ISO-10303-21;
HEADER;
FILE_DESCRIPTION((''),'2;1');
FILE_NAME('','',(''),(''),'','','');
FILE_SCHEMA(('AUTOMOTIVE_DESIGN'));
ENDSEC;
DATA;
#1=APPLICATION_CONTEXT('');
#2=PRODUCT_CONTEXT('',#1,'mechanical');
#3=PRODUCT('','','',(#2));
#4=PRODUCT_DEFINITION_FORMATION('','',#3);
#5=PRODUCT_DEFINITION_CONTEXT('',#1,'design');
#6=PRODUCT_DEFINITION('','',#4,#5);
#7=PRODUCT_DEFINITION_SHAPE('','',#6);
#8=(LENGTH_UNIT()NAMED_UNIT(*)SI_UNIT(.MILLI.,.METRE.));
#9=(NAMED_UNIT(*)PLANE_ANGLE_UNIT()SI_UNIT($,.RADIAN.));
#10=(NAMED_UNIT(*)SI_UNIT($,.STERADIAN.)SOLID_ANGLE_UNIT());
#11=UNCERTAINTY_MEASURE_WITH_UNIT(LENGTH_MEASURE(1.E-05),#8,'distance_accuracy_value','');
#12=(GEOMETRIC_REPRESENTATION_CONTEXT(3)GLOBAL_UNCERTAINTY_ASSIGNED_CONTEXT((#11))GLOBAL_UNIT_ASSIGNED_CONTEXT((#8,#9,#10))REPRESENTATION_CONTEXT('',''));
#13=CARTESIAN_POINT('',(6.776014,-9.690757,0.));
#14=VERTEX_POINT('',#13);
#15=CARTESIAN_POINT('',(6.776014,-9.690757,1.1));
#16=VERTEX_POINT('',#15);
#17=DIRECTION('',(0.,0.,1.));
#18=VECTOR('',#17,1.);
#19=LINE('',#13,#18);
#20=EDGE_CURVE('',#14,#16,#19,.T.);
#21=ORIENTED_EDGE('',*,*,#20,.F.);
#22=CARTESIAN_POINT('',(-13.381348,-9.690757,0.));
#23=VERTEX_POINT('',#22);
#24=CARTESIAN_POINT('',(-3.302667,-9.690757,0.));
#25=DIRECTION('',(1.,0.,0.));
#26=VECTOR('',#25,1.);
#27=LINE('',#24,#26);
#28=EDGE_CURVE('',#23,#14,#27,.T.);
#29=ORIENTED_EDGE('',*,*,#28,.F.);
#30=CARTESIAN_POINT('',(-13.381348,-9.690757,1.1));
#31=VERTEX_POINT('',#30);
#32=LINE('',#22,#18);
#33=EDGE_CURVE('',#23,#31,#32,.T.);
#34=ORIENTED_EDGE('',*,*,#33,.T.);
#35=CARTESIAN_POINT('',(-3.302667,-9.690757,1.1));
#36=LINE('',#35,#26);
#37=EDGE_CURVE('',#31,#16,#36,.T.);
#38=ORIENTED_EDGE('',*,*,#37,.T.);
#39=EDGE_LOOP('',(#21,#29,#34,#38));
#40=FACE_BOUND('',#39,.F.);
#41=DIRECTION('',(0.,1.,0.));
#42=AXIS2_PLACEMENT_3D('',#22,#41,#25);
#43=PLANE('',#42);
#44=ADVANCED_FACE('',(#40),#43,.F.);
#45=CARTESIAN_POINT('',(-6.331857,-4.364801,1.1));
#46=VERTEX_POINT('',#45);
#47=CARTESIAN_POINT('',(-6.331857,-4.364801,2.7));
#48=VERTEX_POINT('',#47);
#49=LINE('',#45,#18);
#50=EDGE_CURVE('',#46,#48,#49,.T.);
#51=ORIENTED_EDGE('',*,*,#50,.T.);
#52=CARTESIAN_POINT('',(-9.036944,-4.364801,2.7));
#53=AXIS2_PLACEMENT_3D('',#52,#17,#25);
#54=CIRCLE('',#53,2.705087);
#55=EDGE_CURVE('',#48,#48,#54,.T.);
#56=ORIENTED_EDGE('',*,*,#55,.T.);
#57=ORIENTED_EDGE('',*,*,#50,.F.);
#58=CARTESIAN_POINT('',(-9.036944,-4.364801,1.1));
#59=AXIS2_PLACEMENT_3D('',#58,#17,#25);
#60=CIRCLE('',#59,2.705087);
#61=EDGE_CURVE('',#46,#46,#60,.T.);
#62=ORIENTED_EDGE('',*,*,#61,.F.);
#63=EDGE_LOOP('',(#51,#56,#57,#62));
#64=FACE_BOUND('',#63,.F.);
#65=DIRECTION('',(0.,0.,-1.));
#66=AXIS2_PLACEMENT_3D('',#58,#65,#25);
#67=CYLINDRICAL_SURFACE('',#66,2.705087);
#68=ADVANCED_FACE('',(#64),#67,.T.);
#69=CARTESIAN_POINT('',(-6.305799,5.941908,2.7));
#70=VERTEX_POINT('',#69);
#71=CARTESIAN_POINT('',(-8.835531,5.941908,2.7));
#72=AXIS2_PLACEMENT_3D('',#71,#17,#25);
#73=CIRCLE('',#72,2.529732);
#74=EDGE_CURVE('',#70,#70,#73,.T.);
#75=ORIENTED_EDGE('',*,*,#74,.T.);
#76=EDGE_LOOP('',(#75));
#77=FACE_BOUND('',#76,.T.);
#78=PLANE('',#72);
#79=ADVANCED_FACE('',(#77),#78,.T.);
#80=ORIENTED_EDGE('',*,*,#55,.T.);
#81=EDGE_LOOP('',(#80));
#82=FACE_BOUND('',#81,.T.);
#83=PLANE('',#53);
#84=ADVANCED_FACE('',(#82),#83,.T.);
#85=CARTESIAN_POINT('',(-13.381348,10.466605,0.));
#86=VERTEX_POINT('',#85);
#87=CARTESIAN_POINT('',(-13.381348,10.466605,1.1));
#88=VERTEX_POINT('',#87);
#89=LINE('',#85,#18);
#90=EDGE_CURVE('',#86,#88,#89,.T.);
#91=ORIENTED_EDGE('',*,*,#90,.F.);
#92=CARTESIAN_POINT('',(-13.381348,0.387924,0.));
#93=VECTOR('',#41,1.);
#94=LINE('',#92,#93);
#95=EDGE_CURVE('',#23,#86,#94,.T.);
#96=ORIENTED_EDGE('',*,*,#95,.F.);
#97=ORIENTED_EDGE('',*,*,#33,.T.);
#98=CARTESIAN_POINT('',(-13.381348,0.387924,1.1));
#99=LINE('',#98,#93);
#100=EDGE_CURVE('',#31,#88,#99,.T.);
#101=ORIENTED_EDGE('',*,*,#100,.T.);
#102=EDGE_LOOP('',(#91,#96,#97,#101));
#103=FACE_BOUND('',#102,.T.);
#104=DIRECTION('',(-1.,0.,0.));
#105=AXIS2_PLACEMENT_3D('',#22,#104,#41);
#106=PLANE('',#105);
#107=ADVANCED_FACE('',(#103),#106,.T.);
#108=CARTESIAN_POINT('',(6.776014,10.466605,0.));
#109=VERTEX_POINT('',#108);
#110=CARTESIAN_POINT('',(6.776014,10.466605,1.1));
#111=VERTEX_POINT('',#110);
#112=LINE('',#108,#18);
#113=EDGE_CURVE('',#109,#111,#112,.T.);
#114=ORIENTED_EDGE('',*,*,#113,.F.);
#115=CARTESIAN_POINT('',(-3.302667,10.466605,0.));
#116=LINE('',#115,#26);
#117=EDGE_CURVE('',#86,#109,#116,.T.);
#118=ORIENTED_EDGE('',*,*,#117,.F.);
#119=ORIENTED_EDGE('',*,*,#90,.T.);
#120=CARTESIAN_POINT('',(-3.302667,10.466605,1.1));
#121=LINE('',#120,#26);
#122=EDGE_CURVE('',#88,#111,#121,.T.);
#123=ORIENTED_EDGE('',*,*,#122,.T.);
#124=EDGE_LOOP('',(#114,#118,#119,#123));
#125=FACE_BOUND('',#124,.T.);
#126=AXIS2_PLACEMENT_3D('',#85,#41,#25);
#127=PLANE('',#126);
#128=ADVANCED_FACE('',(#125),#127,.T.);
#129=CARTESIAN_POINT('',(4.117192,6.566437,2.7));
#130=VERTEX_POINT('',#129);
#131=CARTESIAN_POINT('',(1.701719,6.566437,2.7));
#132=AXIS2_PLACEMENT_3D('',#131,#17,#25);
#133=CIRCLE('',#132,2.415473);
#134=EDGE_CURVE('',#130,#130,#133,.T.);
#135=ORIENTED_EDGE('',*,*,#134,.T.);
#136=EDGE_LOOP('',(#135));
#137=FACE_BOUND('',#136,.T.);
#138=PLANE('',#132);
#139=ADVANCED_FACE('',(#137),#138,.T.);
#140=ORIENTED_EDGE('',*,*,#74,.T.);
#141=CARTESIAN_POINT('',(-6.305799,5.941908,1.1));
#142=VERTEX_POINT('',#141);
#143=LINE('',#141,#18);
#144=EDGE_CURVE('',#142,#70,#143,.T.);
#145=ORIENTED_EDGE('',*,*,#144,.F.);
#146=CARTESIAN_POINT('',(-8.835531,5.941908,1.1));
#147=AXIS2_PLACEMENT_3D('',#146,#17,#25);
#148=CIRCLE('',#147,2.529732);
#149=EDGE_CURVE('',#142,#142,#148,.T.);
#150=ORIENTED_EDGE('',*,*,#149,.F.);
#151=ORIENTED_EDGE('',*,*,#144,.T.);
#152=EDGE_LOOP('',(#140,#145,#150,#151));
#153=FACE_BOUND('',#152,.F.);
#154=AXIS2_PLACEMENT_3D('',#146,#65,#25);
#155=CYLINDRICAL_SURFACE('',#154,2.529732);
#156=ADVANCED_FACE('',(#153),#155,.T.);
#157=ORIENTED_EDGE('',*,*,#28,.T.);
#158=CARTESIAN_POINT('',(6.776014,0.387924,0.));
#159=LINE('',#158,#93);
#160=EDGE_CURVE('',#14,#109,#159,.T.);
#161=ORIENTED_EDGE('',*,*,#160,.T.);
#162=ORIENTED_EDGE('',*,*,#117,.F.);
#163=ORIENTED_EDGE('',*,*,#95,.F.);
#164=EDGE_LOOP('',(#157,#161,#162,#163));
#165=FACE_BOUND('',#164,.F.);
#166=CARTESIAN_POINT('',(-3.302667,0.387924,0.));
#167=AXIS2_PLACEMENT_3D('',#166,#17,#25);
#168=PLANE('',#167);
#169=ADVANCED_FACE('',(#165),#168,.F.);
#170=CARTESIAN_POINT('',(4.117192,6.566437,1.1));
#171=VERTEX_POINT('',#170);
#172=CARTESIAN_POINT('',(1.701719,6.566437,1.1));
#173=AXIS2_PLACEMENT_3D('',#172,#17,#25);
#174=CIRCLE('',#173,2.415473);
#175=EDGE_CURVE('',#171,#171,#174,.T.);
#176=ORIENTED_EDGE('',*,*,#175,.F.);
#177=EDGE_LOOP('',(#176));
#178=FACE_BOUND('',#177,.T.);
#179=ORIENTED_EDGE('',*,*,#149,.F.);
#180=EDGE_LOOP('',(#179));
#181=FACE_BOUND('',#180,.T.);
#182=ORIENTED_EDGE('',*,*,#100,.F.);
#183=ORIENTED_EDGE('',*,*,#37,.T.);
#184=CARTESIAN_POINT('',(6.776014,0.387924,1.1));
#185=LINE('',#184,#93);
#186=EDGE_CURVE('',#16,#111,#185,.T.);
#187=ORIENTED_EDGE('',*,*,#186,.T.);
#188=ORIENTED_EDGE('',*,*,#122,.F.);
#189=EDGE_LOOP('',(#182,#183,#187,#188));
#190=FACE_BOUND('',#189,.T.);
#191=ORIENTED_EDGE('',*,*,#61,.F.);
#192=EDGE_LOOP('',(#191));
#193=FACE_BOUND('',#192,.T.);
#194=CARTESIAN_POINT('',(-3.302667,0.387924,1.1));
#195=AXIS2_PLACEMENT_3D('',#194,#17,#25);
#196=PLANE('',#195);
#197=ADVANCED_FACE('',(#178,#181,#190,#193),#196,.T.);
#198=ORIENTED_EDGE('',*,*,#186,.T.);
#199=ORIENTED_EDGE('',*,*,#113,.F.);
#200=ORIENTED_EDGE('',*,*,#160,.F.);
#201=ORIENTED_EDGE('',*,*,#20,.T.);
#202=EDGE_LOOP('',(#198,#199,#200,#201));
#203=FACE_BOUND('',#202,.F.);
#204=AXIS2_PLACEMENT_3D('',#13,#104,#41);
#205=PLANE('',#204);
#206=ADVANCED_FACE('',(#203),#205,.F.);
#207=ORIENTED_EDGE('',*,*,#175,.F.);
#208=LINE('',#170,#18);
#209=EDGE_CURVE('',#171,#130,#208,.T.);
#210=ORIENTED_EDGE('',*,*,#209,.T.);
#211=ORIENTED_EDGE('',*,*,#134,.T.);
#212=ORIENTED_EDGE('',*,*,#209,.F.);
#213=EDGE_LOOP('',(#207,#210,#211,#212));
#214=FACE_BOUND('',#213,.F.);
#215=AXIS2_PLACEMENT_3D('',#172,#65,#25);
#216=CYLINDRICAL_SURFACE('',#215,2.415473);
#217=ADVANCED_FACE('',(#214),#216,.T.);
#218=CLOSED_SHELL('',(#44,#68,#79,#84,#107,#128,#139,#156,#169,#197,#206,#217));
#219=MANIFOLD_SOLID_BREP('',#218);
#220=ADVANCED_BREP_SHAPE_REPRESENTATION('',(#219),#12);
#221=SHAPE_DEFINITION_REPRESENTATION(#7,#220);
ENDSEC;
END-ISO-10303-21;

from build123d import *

# Parameters (mm, degrees)
F0_W     = 20.157362
F0_H     = 20.157362
F1_DEPTH = 1.1
F2_R     = 2.529732
F2_R_2   = 2.415473
F2_R_3   = 2.705087
F3_DEPTH = 1.6


with BuildPart() as f1:
    # F0 (on Top) → F1 (new body)
    with BuildSketch(Plane.XY):
        with Locations((-3.302667, 0.387924)):
            Rectangle(F0_W, F0_H)
    extrude(amount=F1_DEPTH)

    # F2 (on face) → F3 (join)
    with BuildSketch(Plane.XY.offset(1.1)):
        with Locations((-8.835531, 5.941908)):
            Circle(F2_R)
        with Locations((1.701719, 6.566437)):
            Circle(F2_R_2)
        with Locations((-9.036944, -4.364801)):
            Circle(F2_R_3)
    extrude(amount=F3_DEPTH)


solid = f1.part
